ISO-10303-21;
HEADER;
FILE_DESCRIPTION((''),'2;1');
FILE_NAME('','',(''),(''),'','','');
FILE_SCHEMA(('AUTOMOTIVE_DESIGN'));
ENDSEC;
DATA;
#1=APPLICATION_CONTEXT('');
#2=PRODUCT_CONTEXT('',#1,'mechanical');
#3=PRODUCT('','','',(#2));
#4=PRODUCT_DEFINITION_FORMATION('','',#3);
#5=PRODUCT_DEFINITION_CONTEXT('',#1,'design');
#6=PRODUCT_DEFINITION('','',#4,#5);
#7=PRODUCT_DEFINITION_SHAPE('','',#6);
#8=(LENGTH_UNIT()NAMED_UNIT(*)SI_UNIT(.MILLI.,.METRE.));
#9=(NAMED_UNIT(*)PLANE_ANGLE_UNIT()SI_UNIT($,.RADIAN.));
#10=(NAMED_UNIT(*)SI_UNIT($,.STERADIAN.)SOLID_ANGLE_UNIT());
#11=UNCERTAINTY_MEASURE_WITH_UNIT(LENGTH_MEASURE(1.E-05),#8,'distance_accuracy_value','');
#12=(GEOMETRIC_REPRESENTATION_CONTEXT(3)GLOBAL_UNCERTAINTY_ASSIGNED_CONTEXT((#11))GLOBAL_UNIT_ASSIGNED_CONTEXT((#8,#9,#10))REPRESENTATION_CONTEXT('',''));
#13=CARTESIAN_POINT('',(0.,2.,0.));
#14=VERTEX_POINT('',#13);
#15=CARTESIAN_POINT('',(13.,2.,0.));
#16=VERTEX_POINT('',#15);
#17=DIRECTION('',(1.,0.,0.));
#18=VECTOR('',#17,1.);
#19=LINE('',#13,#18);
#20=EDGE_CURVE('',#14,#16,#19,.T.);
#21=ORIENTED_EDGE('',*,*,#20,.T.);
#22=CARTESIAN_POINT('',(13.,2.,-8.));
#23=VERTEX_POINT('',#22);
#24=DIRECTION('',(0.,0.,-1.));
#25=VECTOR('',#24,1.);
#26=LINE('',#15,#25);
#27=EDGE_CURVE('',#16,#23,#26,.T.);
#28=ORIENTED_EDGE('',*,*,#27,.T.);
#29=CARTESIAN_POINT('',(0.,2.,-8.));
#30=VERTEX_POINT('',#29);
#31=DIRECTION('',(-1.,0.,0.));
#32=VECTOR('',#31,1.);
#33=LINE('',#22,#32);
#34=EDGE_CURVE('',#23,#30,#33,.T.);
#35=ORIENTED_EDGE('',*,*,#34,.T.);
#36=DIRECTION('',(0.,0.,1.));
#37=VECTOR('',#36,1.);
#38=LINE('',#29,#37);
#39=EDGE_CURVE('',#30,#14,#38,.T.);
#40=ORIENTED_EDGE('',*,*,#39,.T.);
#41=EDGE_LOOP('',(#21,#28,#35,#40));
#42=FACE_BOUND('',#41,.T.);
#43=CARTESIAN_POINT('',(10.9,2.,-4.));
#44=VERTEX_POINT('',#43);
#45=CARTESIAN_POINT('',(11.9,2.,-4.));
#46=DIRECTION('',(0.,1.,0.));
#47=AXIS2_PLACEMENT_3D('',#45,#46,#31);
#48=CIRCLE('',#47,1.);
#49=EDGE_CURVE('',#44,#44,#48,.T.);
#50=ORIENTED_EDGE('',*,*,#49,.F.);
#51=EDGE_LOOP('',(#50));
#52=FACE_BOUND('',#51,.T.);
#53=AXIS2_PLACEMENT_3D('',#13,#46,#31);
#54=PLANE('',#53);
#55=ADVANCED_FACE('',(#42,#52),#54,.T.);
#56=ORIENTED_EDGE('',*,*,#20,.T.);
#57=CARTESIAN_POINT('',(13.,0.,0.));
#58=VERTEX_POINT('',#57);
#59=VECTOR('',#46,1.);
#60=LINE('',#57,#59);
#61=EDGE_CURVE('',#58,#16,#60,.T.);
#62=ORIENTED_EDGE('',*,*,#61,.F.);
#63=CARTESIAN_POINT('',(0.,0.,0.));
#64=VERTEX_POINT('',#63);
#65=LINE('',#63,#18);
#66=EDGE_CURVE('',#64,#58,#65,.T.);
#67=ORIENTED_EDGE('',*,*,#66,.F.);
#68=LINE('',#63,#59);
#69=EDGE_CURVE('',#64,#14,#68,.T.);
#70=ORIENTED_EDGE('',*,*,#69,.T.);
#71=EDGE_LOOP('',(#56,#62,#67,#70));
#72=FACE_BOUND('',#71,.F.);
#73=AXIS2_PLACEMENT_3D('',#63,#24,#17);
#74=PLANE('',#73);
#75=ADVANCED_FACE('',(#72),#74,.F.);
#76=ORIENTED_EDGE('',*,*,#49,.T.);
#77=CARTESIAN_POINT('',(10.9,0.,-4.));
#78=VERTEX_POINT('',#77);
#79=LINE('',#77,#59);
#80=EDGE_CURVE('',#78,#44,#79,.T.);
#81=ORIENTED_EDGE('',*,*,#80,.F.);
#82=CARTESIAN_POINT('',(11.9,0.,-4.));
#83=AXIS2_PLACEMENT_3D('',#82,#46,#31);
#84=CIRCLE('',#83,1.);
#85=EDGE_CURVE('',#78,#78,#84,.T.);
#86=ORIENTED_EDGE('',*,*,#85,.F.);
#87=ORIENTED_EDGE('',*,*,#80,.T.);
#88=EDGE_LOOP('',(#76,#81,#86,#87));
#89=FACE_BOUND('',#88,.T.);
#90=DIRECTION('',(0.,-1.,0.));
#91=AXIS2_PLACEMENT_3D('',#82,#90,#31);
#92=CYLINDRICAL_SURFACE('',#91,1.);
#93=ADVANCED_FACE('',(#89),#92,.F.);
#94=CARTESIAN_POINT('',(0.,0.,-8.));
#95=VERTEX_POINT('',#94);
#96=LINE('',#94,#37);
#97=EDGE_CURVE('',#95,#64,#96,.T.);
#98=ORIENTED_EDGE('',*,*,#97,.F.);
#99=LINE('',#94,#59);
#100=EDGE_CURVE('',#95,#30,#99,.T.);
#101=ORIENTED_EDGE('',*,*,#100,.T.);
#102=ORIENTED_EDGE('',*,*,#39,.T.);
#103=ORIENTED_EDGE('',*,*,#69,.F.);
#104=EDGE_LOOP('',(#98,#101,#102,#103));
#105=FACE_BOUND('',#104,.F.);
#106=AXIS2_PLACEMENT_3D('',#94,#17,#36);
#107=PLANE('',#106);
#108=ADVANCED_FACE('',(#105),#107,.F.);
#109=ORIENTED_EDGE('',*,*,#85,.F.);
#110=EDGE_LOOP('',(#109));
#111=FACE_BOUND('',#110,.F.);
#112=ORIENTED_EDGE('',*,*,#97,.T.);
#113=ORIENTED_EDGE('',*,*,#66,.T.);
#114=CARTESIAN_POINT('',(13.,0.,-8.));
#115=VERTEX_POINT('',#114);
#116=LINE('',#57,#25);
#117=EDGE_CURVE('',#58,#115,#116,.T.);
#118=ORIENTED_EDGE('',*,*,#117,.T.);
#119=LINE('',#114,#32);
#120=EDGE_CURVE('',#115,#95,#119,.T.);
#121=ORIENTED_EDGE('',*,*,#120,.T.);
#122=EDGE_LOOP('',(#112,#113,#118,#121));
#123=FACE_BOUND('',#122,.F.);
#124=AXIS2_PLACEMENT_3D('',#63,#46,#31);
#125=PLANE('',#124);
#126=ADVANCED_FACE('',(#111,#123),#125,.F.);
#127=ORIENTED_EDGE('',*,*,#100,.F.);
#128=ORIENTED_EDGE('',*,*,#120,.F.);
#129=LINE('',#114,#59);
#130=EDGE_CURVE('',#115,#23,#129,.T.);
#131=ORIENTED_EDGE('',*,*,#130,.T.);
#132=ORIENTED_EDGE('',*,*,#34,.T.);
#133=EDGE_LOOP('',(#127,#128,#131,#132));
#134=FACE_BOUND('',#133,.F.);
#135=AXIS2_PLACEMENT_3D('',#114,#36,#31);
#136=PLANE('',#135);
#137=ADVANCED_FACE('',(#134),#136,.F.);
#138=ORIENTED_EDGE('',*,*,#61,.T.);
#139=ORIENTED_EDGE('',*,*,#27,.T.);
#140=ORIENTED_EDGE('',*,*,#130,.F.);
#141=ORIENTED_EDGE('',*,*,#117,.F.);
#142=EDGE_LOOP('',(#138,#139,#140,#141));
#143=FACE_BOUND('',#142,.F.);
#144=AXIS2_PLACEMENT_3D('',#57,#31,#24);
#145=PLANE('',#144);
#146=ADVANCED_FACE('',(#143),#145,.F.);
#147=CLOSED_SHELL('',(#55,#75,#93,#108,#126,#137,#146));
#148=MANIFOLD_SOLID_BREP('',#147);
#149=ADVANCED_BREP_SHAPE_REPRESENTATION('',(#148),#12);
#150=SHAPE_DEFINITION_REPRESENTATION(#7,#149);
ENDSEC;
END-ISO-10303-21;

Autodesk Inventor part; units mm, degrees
ref_plane "YZ Plane" through (0, 0, 0) normal (1, 0, 0) x (0, 1, 0)
ref_plane "XZ Plane" through (0, 0, 0) normal (0, 1, 0) x (-1, 0, 0)
ref_plane "XY Plane" through (0, 0, 0) normal (0, 0, 1) x (1, 0, 0)
sketch "Boceto1" plane through (0, 0, 0) normal (0, 1, 0) x (-1, 0, 0)
  line L0 (0, 0) -> (-13, 0)
  line L1 (-13, 0) -> (-13, -8)
  line L2 (-13, -8) -> (0, -8)
  line L3 (0, -8) -> (0, 0)
  circle A0 centre (-11.9, -4) radius 1
  dimension "d0" = 13
  dimension "d1" = 8
  dimension "d2" = 2
  dimension "d3" = 1.1
  dimension "d4" = 4
  dimension "d5" = 4
extrude "Extrusión1" add sketch "Boceto1" along normal blind 2
equation "\"Radio_pliegue\" = Grosor"
equation "\"Anchura_desahogo_plegado\" = Grosor"
equation "\"Profundidad_desahogo_plegado\" = 0.5 * Grosor"
equation "\"Tamaño_destalonado\" = 4 * Grosor"
equation "\"Remanente_mínimo\" = 2 * Grosor"
equation "\"Radiodetransición\" = Radio_pliegue"
equation "\"Tamaño_de_radio_de_Jacobi\" = Radio_pliegue"
equation "\"TamañoSeparación\" = Grosor"
equation "\"Grosor\" = 0.5"
properties part number "SensorDeLinea"
